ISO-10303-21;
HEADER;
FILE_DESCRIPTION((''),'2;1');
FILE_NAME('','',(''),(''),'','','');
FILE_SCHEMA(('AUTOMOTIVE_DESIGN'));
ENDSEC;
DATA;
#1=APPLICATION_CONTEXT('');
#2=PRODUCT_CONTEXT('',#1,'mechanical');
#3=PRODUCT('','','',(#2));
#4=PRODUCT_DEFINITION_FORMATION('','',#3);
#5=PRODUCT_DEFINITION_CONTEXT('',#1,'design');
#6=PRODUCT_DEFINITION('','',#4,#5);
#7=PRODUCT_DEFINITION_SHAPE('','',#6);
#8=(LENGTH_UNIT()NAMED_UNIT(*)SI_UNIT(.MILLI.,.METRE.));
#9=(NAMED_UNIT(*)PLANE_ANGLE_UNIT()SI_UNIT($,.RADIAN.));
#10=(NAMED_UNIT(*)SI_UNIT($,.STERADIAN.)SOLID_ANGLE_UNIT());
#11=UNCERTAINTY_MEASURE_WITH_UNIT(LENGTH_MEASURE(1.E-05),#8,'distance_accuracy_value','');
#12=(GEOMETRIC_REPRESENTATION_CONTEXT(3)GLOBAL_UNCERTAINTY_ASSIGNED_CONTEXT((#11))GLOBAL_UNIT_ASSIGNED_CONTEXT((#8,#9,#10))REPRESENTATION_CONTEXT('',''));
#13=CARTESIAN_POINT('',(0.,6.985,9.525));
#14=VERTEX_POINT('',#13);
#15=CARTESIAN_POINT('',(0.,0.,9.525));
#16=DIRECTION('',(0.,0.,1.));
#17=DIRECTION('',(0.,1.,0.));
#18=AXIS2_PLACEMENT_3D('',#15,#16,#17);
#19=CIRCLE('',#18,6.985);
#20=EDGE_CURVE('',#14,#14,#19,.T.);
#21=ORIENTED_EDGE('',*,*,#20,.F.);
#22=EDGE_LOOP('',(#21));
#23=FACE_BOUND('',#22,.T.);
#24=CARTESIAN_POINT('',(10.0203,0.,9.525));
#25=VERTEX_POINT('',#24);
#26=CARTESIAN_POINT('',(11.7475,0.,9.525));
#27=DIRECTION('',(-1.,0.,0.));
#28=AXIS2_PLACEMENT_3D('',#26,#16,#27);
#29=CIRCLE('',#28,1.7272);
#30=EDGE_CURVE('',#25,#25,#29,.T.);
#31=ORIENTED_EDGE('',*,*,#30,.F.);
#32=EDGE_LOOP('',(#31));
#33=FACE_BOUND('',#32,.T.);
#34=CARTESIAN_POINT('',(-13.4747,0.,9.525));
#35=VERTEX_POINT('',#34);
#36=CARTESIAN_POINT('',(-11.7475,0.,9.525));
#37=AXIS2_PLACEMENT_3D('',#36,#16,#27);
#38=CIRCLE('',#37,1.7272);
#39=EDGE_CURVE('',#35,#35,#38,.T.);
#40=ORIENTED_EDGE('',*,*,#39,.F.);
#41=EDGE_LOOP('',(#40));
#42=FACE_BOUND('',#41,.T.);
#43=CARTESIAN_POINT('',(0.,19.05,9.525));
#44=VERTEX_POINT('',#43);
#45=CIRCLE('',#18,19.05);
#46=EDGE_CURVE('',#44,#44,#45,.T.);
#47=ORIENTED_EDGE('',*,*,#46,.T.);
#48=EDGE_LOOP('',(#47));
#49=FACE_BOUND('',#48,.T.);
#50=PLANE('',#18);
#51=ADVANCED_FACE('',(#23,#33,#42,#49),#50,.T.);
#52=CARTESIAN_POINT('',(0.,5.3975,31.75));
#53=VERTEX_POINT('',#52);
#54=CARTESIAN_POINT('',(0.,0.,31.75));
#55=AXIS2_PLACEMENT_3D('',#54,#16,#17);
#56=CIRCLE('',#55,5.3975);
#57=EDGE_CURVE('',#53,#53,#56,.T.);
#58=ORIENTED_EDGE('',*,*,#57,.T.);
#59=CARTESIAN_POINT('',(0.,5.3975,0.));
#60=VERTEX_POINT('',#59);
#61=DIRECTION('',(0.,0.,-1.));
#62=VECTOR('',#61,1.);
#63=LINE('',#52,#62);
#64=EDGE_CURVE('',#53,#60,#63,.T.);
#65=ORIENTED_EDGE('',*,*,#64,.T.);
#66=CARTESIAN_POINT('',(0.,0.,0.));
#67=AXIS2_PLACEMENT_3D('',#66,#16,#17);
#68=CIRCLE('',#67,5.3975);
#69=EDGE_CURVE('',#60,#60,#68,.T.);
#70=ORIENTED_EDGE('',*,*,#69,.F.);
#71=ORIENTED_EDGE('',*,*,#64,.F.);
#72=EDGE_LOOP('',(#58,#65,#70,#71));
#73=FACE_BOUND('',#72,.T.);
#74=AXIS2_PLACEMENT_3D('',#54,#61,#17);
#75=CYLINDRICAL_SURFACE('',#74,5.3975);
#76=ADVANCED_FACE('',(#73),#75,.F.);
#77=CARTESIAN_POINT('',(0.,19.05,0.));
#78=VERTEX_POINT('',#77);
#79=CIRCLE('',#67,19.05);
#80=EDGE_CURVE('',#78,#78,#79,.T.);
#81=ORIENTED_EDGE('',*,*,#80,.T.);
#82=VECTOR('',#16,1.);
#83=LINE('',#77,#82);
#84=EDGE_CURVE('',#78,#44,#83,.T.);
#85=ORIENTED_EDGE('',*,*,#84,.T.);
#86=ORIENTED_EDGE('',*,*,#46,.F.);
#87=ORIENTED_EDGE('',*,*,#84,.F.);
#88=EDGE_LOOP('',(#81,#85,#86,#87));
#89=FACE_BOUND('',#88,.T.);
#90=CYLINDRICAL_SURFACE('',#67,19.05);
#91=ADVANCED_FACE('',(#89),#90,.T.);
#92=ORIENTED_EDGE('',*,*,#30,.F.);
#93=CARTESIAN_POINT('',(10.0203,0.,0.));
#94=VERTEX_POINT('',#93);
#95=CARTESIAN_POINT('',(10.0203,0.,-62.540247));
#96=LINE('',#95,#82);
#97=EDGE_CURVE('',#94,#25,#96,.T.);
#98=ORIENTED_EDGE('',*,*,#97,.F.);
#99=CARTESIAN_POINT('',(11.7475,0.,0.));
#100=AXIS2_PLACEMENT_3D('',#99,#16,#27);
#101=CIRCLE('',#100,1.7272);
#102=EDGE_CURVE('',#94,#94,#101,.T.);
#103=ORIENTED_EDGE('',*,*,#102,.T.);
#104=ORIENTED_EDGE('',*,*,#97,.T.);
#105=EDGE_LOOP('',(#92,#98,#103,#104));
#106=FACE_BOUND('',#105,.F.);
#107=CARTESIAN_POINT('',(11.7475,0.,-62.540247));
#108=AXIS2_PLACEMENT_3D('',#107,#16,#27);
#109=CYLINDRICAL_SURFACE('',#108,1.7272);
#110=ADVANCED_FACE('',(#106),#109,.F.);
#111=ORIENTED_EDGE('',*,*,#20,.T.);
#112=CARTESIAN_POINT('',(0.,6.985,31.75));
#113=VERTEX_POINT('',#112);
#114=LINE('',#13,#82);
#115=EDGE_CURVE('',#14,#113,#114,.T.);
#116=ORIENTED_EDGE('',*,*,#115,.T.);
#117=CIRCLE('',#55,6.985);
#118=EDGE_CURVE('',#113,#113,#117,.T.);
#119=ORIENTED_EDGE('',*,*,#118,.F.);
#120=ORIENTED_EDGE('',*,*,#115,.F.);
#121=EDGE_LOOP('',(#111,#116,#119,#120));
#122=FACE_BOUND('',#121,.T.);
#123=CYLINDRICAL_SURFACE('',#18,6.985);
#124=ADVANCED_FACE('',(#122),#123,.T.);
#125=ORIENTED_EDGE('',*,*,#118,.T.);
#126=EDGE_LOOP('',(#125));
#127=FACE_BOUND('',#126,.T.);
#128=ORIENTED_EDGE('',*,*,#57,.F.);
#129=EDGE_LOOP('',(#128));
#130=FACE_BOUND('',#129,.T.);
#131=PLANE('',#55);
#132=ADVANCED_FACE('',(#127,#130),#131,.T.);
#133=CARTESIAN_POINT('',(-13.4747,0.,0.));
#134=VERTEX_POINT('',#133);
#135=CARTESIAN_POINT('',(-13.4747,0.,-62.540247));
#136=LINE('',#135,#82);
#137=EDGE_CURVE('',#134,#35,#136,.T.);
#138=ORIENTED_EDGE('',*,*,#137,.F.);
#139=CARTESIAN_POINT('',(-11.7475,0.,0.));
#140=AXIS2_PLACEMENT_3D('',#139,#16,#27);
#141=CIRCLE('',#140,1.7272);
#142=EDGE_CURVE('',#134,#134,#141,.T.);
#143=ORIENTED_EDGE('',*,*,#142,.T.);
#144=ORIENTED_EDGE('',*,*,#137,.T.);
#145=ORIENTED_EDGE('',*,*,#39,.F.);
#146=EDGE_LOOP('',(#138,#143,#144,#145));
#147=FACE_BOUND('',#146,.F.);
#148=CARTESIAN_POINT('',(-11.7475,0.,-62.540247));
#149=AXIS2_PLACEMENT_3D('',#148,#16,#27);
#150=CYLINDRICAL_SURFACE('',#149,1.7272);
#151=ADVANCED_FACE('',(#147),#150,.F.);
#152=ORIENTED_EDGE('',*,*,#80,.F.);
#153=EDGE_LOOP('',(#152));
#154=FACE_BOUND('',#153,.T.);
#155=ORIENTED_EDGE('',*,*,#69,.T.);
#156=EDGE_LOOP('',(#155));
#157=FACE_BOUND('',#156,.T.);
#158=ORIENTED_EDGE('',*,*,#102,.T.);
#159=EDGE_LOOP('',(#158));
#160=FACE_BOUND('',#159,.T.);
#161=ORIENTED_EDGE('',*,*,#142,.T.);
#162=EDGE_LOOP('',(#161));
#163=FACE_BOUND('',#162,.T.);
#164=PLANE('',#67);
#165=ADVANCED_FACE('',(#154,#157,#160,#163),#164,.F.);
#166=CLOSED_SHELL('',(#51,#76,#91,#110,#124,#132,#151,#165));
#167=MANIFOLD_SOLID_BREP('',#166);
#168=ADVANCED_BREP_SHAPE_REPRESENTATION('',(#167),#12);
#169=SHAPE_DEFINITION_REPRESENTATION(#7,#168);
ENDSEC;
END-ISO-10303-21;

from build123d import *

# Parameters (mm, degrees)
F3_D = 3.4544


with BuildPart() as f1:
    # F0 (on Right) → F1 (revolve)
    with BuildSketch(Plane.YZ):
        Polygon((6.985, 31.75), (5.3975, 31.75), (5.3975, 0), (19.05, 0), (19.05, 9.525), (6.985, 9.525), align=None)
    revolve(axis=Axis((0, 0, 16.1745864898), (0, 0, 1)))

    # F3 (through all)
    with Locations(Plane(origin=(0, 0, 0), x_dir=(1, 0, 0), z_dir=(0, 0, -1))):
        with Locations((-11.7475, 0), (11.7475, 0)):
            Hole(F3_D / 2)


solid = f1.part
